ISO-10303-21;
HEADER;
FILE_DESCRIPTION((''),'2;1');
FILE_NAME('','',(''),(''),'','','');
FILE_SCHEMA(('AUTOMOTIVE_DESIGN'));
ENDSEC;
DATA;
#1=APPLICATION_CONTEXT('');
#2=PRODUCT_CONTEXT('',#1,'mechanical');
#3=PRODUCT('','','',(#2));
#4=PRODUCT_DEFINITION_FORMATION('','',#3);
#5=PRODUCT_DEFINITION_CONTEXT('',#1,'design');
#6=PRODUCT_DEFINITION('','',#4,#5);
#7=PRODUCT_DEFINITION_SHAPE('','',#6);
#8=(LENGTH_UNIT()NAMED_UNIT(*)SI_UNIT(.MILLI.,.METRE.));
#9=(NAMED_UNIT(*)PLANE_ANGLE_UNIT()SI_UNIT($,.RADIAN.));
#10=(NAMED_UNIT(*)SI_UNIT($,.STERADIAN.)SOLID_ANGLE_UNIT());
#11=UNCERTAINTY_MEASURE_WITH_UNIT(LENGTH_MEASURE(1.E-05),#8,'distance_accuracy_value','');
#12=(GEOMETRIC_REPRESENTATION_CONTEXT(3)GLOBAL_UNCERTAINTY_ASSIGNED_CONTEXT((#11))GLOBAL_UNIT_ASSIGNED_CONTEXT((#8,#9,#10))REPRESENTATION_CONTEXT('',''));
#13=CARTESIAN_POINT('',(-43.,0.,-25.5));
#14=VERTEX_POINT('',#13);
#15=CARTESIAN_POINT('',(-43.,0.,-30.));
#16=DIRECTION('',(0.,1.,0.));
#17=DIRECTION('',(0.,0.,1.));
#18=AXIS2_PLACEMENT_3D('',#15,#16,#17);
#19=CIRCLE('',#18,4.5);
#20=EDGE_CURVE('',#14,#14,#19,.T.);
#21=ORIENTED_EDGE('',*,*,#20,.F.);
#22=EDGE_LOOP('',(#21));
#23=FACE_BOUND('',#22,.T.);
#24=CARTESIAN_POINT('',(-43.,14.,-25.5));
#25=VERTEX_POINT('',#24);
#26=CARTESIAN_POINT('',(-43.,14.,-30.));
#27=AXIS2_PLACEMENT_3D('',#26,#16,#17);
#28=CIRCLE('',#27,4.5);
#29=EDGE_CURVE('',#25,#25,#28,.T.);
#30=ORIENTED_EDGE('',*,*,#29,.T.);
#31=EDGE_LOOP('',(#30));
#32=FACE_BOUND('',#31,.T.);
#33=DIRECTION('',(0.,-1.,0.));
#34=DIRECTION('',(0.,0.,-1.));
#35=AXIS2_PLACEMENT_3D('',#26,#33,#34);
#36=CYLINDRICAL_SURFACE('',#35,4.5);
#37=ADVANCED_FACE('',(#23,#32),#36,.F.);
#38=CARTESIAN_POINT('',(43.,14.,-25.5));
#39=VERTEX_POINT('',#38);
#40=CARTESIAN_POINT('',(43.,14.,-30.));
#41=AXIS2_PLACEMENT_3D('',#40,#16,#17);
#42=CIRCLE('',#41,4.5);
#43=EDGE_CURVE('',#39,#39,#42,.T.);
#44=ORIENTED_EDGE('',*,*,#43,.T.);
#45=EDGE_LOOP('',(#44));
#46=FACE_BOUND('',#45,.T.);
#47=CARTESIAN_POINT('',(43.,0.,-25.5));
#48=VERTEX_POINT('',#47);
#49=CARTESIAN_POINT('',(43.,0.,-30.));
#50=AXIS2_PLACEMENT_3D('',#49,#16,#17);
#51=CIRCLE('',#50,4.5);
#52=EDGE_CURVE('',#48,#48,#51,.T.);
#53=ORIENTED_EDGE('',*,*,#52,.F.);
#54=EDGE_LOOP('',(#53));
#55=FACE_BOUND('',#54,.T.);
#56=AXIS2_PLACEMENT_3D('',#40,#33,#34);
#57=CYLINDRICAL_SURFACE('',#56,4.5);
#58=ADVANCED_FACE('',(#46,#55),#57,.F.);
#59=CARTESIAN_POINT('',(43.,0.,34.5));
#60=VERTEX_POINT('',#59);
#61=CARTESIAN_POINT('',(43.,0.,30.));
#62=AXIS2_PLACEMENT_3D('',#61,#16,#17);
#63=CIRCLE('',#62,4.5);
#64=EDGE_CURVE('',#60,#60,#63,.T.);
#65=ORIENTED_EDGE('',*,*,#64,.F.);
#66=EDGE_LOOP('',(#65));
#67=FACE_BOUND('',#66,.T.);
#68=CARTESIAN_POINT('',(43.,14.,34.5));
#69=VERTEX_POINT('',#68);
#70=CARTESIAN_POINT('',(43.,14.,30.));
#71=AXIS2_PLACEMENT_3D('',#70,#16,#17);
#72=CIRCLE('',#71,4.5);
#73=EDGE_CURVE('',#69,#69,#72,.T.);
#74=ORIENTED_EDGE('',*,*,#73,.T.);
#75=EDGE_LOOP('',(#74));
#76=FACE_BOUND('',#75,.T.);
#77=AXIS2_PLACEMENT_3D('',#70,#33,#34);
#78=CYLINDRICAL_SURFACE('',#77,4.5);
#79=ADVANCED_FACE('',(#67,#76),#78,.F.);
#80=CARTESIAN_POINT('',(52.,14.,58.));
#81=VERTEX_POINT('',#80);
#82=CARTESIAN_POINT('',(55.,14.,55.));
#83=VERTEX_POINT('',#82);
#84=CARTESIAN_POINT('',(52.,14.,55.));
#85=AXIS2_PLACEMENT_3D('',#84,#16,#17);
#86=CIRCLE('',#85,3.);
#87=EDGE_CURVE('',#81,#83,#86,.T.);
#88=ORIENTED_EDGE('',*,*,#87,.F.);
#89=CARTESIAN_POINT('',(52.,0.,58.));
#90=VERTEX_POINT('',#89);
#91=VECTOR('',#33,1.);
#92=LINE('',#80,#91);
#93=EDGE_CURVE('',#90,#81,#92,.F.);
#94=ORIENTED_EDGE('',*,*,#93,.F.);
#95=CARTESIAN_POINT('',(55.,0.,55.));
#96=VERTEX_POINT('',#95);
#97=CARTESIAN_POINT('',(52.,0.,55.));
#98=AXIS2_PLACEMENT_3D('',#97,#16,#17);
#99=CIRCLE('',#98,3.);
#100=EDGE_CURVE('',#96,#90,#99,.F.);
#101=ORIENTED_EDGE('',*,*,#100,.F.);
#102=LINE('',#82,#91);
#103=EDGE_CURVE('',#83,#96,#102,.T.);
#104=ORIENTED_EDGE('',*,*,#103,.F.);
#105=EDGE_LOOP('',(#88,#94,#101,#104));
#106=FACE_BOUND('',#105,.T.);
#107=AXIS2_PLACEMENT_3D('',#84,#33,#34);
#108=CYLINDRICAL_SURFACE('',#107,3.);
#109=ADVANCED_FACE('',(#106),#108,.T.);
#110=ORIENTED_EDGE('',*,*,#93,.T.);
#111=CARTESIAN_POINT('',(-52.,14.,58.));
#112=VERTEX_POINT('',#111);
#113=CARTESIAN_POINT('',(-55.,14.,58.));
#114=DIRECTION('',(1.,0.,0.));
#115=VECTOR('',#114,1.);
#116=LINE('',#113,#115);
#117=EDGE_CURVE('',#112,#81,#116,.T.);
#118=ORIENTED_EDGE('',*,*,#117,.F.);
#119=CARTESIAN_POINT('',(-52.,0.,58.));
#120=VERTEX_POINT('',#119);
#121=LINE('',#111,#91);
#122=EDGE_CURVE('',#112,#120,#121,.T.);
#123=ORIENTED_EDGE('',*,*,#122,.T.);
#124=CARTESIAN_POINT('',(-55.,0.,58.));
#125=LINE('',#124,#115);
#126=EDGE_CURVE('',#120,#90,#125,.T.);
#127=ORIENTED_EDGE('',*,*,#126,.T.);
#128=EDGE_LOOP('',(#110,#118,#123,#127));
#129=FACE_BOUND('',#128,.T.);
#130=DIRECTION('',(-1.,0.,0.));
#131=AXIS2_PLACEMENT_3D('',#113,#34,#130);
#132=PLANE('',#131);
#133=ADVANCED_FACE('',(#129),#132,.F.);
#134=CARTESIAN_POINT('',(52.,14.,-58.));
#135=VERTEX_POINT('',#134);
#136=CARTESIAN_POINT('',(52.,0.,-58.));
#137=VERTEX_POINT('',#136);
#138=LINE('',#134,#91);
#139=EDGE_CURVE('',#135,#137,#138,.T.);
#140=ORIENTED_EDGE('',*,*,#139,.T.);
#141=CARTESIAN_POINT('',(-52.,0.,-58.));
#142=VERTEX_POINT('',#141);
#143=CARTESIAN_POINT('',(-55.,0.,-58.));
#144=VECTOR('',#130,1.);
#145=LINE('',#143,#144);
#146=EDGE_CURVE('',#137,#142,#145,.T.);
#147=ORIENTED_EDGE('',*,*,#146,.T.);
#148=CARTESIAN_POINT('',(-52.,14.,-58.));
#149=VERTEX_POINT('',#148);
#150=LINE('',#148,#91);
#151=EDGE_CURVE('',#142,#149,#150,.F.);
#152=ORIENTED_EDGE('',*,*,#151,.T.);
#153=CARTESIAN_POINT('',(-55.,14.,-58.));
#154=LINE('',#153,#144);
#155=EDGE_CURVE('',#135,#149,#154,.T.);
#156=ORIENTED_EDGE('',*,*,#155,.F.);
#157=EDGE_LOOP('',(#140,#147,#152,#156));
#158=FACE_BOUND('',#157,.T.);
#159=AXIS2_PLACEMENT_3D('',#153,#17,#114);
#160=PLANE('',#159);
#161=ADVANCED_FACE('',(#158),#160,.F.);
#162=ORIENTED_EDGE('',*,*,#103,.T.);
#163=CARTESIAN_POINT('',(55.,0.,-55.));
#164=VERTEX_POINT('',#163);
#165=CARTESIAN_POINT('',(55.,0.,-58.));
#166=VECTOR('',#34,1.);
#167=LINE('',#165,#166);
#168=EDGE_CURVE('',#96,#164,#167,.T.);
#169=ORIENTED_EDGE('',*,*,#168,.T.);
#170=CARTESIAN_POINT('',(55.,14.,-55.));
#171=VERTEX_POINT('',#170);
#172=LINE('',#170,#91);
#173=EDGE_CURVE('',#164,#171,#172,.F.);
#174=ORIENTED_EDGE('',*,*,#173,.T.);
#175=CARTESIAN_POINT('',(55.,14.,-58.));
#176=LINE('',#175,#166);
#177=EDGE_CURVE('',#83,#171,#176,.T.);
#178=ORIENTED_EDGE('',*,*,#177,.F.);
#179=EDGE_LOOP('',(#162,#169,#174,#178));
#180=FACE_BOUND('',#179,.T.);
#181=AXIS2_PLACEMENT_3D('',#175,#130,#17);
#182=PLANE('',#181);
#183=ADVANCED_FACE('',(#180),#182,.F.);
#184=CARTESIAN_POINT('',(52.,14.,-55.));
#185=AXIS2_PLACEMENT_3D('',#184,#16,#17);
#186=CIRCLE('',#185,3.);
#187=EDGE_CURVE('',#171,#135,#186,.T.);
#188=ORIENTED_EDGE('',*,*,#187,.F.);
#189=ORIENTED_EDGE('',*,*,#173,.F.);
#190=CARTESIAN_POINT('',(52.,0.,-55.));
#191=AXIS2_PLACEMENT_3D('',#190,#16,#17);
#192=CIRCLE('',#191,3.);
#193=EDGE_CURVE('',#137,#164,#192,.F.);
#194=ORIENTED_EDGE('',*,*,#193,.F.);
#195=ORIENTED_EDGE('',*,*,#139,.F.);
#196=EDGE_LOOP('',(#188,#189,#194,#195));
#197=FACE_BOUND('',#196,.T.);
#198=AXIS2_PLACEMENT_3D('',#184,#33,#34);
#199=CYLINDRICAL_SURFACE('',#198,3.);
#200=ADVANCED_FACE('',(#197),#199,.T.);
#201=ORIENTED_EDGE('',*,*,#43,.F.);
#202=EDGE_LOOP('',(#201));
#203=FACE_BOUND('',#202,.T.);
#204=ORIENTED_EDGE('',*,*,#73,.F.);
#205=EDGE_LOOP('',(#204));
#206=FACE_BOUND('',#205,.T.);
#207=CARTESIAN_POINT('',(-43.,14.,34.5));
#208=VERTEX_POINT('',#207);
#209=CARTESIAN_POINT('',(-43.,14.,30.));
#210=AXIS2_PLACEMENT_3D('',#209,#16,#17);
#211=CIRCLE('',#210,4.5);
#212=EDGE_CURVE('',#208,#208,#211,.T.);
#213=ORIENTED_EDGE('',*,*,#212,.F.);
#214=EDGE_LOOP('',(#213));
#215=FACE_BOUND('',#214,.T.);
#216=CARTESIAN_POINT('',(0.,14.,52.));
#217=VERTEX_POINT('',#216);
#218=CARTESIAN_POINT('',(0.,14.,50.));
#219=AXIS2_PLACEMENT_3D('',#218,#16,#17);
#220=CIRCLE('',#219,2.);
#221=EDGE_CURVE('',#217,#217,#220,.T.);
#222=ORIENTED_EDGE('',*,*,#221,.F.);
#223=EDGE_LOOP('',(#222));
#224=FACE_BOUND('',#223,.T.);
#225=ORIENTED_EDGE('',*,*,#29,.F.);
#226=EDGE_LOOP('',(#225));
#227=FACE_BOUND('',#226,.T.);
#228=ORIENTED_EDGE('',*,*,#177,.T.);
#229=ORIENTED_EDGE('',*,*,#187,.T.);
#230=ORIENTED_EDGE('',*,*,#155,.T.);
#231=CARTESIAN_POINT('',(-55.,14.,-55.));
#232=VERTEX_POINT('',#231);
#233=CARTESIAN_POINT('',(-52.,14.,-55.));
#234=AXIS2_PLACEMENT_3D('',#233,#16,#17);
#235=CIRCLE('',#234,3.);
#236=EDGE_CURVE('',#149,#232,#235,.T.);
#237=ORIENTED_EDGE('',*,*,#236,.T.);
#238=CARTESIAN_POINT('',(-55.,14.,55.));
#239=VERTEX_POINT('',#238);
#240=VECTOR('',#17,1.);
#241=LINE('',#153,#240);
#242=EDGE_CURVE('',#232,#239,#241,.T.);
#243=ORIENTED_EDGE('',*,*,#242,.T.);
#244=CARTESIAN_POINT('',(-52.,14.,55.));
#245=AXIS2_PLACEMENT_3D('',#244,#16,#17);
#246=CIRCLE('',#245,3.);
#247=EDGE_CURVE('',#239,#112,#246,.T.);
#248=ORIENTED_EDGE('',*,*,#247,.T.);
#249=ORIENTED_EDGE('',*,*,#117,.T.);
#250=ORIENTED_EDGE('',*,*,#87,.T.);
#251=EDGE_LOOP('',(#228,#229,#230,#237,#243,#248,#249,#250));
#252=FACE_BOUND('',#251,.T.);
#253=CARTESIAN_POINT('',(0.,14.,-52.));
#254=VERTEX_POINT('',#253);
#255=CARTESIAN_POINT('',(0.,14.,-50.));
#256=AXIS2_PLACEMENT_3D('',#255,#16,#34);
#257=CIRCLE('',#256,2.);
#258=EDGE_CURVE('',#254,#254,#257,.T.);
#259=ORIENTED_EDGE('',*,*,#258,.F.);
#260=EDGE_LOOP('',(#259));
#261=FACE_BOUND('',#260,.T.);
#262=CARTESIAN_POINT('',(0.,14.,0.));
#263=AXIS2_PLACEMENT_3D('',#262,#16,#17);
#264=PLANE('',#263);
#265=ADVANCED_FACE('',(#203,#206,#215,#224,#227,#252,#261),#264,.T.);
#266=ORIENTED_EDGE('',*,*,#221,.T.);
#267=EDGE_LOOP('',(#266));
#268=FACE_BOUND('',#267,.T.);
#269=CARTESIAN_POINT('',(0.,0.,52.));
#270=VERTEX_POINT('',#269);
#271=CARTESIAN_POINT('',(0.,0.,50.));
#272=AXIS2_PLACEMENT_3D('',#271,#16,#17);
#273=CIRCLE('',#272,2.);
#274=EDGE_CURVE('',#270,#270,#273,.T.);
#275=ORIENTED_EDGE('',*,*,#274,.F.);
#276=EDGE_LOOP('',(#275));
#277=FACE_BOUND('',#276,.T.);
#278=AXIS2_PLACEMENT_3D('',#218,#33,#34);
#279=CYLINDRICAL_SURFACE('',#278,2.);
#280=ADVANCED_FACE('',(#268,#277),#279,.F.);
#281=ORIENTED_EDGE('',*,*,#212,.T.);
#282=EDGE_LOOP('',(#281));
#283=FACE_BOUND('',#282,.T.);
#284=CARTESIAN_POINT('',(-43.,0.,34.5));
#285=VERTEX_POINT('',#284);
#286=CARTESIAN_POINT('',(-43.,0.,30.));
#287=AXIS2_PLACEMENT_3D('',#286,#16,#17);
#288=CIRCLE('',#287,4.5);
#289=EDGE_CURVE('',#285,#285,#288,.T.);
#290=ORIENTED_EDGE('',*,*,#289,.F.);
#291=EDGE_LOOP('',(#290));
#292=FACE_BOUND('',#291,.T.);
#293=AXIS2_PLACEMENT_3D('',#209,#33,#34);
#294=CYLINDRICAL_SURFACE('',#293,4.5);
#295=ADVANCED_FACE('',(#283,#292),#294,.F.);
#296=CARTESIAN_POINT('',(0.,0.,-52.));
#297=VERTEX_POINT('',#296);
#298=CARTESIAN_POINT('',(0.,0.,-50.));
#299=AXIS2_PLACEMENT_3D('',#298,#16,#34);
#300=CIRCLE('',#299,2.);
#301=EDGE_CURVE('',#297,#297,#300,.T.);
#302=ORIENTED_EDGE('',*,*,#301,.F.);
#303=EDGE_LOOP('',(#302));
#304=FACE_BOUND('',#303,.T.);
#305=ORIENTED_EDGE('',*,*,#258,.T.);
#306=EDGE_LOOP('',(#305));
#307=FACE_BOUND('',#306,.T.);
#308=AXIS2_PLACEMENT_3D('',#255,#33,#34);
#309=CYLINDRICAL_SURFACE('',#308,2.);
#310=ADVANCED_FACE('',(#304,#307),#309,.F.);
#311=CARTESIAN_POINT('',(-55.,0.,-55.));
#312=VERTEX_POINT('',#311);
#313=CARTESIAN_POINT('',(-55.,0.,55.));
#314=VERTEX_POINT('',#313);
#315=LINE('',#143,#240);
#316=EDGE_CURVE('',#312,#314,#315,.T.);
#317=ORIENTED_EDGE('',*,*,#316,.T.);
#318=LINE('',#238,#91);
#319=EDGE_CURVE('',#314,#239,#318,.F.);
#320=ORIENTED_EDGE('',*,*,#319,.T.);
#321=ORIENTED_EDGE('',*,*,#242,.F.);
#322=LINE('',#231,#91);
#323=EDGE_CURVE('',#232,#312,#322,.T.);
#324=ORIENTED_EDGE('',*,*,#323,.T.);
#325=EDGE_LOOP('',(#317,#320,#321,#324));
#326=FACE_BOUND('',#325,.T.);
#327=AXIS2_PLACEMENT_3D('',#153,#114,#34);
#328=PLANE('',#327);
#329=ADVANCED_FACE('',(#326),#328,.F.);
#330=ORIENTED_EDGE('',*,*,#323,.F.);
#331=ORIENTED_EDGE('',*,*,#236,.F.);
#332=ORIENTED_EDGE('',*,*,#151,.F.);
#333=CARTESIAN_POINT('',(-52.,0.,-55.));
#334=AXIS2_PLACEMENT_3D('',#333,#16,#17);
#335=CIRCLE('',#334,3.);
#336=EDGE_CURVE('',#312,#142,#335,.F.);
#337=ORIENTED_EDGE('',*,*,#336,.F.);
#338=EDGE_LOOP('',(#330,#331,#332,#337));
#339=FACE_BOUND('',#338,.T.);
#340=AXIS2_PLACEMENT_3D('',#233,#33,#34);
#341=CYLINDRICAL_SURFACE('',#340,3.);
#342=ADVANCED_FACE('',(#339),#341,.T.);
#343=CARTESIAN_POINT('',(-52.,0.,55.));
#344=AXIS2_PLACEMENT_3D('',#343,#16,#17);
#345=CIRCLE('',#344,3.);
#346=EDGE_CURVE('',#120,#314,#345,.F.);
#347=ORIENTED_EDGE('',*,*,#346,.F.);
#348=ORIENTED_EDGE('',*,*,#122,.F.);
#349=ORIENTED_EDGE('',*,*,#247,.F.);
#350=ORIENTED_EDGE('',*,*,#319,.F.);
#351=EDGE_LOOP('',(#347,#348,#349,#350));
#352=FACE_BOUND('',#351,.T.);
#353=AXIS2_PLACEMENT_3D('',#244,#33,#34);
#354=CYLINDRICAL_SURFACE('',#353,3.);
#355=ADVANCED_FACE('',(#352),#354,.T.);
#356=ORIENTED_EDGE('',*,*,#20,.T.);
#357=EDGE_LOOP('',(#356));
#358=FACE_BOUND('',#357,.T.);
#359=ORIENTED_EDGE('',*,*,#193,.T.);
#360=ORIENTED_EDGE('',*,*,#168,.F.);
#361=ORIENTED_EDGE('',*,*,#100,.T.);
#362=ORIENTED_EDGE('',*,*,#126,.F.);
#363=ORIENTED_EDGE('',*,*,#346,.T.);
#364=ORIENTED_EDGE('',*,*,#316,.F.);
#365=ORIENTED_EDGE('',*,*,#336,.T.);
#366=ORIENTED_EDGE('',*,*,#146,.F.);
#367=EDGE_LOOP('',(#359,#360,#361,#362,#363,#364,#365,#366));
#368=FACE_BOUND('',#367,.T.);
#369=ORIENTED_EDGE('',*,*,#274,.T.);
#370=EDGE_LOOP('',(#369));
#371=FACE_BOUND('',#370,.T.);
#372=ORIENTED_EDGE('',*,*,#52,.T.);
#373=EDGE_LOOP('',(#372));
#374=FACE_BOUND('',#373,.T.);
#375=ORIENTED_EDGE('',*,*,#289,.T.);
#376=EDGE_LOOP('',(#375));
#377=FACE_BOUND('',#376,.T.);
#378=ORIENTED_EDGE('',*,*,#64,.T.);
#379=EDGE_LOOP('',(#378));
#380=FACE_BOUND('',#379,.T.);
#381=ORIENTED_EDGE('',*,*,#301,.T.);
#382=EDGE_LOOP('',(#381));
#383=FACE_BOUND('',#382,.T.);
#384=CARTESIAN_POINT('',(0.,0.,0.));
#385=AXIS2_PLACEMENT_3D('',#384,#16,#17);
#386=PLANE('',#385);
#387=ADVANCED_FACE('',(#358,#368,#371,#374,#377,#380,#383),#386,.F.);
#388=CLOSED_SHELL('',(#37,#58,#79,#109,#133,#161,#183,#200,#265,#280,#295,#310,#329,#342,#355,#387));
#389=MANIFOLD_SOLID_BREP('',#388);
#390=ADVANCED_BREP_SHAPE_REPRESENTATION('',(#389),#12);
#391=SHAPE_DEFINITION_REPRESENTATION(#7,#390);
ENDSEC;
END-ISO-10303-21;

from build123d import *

# Parameters (mm, degrees)
SKETCH_1_W      = 110
SKETCH_1_H      = 116
SKETCH_1_R      = 4.5
SKETCH_1_R_2    = 2
EXTRUDE_1_DEPTH = 14
FILLET_1_R      = 3


with BuildPart() as part:
    # 草图1 → 凸台-拉伸1 (new body)
    with BuildSketch(Plane(origin=(0, 0, 0), x_dir=(1, 0, 0), z_dir=(0, 1, 0))):
        Rectangle(SKETCH_1_W, SKETCH_1_H)
        with Locations(Location((-43, 30, 0), (0, 0, 270))):
            Circle(SKETCH_1_R, mode=Mode.SUBTRACT)
        with Locations(Location((43, 30, 0), (0, 0, 270))):
            Circle(SKETCH_1_R, mode=Mode.SUBTRACT)
        with Locations(Location((43, -30, 0), (0, 0, 270))):
            Circle(SKETCH_1_R, mode=Mode.SUBTRACT)
        with Locations(Location((-43, -30, 0), (0, 0, 270))):
            Circle(SKETCH_1_R, mode=Mode.SUBTRACT)
        with Locations(Location((0, -50, 0), (0, 0, 270))):
            Circle(SKETCH_1_R_2, mode=Mode.SUBTRACT)
        with Locations(Location((0, 50, 0), (0, 0, 90))):
            Circle(SKETCH_1_R_2, mode=Mode.SUBTRACT)
    extrude(amount=EXTRUDE_1_DEPTH)

    # 圆角1
    fillet_1_edges = [part.edges().sort_by_distance(p)[0] for p in [
        (-55, 7, -58),
        (55, 7, -58),
        (55, 7, 58),
        (-55, 7, 58),
    ]]
    fillet(fillet_1_edges, radius=FILLET_1_R)


solid = part.part
